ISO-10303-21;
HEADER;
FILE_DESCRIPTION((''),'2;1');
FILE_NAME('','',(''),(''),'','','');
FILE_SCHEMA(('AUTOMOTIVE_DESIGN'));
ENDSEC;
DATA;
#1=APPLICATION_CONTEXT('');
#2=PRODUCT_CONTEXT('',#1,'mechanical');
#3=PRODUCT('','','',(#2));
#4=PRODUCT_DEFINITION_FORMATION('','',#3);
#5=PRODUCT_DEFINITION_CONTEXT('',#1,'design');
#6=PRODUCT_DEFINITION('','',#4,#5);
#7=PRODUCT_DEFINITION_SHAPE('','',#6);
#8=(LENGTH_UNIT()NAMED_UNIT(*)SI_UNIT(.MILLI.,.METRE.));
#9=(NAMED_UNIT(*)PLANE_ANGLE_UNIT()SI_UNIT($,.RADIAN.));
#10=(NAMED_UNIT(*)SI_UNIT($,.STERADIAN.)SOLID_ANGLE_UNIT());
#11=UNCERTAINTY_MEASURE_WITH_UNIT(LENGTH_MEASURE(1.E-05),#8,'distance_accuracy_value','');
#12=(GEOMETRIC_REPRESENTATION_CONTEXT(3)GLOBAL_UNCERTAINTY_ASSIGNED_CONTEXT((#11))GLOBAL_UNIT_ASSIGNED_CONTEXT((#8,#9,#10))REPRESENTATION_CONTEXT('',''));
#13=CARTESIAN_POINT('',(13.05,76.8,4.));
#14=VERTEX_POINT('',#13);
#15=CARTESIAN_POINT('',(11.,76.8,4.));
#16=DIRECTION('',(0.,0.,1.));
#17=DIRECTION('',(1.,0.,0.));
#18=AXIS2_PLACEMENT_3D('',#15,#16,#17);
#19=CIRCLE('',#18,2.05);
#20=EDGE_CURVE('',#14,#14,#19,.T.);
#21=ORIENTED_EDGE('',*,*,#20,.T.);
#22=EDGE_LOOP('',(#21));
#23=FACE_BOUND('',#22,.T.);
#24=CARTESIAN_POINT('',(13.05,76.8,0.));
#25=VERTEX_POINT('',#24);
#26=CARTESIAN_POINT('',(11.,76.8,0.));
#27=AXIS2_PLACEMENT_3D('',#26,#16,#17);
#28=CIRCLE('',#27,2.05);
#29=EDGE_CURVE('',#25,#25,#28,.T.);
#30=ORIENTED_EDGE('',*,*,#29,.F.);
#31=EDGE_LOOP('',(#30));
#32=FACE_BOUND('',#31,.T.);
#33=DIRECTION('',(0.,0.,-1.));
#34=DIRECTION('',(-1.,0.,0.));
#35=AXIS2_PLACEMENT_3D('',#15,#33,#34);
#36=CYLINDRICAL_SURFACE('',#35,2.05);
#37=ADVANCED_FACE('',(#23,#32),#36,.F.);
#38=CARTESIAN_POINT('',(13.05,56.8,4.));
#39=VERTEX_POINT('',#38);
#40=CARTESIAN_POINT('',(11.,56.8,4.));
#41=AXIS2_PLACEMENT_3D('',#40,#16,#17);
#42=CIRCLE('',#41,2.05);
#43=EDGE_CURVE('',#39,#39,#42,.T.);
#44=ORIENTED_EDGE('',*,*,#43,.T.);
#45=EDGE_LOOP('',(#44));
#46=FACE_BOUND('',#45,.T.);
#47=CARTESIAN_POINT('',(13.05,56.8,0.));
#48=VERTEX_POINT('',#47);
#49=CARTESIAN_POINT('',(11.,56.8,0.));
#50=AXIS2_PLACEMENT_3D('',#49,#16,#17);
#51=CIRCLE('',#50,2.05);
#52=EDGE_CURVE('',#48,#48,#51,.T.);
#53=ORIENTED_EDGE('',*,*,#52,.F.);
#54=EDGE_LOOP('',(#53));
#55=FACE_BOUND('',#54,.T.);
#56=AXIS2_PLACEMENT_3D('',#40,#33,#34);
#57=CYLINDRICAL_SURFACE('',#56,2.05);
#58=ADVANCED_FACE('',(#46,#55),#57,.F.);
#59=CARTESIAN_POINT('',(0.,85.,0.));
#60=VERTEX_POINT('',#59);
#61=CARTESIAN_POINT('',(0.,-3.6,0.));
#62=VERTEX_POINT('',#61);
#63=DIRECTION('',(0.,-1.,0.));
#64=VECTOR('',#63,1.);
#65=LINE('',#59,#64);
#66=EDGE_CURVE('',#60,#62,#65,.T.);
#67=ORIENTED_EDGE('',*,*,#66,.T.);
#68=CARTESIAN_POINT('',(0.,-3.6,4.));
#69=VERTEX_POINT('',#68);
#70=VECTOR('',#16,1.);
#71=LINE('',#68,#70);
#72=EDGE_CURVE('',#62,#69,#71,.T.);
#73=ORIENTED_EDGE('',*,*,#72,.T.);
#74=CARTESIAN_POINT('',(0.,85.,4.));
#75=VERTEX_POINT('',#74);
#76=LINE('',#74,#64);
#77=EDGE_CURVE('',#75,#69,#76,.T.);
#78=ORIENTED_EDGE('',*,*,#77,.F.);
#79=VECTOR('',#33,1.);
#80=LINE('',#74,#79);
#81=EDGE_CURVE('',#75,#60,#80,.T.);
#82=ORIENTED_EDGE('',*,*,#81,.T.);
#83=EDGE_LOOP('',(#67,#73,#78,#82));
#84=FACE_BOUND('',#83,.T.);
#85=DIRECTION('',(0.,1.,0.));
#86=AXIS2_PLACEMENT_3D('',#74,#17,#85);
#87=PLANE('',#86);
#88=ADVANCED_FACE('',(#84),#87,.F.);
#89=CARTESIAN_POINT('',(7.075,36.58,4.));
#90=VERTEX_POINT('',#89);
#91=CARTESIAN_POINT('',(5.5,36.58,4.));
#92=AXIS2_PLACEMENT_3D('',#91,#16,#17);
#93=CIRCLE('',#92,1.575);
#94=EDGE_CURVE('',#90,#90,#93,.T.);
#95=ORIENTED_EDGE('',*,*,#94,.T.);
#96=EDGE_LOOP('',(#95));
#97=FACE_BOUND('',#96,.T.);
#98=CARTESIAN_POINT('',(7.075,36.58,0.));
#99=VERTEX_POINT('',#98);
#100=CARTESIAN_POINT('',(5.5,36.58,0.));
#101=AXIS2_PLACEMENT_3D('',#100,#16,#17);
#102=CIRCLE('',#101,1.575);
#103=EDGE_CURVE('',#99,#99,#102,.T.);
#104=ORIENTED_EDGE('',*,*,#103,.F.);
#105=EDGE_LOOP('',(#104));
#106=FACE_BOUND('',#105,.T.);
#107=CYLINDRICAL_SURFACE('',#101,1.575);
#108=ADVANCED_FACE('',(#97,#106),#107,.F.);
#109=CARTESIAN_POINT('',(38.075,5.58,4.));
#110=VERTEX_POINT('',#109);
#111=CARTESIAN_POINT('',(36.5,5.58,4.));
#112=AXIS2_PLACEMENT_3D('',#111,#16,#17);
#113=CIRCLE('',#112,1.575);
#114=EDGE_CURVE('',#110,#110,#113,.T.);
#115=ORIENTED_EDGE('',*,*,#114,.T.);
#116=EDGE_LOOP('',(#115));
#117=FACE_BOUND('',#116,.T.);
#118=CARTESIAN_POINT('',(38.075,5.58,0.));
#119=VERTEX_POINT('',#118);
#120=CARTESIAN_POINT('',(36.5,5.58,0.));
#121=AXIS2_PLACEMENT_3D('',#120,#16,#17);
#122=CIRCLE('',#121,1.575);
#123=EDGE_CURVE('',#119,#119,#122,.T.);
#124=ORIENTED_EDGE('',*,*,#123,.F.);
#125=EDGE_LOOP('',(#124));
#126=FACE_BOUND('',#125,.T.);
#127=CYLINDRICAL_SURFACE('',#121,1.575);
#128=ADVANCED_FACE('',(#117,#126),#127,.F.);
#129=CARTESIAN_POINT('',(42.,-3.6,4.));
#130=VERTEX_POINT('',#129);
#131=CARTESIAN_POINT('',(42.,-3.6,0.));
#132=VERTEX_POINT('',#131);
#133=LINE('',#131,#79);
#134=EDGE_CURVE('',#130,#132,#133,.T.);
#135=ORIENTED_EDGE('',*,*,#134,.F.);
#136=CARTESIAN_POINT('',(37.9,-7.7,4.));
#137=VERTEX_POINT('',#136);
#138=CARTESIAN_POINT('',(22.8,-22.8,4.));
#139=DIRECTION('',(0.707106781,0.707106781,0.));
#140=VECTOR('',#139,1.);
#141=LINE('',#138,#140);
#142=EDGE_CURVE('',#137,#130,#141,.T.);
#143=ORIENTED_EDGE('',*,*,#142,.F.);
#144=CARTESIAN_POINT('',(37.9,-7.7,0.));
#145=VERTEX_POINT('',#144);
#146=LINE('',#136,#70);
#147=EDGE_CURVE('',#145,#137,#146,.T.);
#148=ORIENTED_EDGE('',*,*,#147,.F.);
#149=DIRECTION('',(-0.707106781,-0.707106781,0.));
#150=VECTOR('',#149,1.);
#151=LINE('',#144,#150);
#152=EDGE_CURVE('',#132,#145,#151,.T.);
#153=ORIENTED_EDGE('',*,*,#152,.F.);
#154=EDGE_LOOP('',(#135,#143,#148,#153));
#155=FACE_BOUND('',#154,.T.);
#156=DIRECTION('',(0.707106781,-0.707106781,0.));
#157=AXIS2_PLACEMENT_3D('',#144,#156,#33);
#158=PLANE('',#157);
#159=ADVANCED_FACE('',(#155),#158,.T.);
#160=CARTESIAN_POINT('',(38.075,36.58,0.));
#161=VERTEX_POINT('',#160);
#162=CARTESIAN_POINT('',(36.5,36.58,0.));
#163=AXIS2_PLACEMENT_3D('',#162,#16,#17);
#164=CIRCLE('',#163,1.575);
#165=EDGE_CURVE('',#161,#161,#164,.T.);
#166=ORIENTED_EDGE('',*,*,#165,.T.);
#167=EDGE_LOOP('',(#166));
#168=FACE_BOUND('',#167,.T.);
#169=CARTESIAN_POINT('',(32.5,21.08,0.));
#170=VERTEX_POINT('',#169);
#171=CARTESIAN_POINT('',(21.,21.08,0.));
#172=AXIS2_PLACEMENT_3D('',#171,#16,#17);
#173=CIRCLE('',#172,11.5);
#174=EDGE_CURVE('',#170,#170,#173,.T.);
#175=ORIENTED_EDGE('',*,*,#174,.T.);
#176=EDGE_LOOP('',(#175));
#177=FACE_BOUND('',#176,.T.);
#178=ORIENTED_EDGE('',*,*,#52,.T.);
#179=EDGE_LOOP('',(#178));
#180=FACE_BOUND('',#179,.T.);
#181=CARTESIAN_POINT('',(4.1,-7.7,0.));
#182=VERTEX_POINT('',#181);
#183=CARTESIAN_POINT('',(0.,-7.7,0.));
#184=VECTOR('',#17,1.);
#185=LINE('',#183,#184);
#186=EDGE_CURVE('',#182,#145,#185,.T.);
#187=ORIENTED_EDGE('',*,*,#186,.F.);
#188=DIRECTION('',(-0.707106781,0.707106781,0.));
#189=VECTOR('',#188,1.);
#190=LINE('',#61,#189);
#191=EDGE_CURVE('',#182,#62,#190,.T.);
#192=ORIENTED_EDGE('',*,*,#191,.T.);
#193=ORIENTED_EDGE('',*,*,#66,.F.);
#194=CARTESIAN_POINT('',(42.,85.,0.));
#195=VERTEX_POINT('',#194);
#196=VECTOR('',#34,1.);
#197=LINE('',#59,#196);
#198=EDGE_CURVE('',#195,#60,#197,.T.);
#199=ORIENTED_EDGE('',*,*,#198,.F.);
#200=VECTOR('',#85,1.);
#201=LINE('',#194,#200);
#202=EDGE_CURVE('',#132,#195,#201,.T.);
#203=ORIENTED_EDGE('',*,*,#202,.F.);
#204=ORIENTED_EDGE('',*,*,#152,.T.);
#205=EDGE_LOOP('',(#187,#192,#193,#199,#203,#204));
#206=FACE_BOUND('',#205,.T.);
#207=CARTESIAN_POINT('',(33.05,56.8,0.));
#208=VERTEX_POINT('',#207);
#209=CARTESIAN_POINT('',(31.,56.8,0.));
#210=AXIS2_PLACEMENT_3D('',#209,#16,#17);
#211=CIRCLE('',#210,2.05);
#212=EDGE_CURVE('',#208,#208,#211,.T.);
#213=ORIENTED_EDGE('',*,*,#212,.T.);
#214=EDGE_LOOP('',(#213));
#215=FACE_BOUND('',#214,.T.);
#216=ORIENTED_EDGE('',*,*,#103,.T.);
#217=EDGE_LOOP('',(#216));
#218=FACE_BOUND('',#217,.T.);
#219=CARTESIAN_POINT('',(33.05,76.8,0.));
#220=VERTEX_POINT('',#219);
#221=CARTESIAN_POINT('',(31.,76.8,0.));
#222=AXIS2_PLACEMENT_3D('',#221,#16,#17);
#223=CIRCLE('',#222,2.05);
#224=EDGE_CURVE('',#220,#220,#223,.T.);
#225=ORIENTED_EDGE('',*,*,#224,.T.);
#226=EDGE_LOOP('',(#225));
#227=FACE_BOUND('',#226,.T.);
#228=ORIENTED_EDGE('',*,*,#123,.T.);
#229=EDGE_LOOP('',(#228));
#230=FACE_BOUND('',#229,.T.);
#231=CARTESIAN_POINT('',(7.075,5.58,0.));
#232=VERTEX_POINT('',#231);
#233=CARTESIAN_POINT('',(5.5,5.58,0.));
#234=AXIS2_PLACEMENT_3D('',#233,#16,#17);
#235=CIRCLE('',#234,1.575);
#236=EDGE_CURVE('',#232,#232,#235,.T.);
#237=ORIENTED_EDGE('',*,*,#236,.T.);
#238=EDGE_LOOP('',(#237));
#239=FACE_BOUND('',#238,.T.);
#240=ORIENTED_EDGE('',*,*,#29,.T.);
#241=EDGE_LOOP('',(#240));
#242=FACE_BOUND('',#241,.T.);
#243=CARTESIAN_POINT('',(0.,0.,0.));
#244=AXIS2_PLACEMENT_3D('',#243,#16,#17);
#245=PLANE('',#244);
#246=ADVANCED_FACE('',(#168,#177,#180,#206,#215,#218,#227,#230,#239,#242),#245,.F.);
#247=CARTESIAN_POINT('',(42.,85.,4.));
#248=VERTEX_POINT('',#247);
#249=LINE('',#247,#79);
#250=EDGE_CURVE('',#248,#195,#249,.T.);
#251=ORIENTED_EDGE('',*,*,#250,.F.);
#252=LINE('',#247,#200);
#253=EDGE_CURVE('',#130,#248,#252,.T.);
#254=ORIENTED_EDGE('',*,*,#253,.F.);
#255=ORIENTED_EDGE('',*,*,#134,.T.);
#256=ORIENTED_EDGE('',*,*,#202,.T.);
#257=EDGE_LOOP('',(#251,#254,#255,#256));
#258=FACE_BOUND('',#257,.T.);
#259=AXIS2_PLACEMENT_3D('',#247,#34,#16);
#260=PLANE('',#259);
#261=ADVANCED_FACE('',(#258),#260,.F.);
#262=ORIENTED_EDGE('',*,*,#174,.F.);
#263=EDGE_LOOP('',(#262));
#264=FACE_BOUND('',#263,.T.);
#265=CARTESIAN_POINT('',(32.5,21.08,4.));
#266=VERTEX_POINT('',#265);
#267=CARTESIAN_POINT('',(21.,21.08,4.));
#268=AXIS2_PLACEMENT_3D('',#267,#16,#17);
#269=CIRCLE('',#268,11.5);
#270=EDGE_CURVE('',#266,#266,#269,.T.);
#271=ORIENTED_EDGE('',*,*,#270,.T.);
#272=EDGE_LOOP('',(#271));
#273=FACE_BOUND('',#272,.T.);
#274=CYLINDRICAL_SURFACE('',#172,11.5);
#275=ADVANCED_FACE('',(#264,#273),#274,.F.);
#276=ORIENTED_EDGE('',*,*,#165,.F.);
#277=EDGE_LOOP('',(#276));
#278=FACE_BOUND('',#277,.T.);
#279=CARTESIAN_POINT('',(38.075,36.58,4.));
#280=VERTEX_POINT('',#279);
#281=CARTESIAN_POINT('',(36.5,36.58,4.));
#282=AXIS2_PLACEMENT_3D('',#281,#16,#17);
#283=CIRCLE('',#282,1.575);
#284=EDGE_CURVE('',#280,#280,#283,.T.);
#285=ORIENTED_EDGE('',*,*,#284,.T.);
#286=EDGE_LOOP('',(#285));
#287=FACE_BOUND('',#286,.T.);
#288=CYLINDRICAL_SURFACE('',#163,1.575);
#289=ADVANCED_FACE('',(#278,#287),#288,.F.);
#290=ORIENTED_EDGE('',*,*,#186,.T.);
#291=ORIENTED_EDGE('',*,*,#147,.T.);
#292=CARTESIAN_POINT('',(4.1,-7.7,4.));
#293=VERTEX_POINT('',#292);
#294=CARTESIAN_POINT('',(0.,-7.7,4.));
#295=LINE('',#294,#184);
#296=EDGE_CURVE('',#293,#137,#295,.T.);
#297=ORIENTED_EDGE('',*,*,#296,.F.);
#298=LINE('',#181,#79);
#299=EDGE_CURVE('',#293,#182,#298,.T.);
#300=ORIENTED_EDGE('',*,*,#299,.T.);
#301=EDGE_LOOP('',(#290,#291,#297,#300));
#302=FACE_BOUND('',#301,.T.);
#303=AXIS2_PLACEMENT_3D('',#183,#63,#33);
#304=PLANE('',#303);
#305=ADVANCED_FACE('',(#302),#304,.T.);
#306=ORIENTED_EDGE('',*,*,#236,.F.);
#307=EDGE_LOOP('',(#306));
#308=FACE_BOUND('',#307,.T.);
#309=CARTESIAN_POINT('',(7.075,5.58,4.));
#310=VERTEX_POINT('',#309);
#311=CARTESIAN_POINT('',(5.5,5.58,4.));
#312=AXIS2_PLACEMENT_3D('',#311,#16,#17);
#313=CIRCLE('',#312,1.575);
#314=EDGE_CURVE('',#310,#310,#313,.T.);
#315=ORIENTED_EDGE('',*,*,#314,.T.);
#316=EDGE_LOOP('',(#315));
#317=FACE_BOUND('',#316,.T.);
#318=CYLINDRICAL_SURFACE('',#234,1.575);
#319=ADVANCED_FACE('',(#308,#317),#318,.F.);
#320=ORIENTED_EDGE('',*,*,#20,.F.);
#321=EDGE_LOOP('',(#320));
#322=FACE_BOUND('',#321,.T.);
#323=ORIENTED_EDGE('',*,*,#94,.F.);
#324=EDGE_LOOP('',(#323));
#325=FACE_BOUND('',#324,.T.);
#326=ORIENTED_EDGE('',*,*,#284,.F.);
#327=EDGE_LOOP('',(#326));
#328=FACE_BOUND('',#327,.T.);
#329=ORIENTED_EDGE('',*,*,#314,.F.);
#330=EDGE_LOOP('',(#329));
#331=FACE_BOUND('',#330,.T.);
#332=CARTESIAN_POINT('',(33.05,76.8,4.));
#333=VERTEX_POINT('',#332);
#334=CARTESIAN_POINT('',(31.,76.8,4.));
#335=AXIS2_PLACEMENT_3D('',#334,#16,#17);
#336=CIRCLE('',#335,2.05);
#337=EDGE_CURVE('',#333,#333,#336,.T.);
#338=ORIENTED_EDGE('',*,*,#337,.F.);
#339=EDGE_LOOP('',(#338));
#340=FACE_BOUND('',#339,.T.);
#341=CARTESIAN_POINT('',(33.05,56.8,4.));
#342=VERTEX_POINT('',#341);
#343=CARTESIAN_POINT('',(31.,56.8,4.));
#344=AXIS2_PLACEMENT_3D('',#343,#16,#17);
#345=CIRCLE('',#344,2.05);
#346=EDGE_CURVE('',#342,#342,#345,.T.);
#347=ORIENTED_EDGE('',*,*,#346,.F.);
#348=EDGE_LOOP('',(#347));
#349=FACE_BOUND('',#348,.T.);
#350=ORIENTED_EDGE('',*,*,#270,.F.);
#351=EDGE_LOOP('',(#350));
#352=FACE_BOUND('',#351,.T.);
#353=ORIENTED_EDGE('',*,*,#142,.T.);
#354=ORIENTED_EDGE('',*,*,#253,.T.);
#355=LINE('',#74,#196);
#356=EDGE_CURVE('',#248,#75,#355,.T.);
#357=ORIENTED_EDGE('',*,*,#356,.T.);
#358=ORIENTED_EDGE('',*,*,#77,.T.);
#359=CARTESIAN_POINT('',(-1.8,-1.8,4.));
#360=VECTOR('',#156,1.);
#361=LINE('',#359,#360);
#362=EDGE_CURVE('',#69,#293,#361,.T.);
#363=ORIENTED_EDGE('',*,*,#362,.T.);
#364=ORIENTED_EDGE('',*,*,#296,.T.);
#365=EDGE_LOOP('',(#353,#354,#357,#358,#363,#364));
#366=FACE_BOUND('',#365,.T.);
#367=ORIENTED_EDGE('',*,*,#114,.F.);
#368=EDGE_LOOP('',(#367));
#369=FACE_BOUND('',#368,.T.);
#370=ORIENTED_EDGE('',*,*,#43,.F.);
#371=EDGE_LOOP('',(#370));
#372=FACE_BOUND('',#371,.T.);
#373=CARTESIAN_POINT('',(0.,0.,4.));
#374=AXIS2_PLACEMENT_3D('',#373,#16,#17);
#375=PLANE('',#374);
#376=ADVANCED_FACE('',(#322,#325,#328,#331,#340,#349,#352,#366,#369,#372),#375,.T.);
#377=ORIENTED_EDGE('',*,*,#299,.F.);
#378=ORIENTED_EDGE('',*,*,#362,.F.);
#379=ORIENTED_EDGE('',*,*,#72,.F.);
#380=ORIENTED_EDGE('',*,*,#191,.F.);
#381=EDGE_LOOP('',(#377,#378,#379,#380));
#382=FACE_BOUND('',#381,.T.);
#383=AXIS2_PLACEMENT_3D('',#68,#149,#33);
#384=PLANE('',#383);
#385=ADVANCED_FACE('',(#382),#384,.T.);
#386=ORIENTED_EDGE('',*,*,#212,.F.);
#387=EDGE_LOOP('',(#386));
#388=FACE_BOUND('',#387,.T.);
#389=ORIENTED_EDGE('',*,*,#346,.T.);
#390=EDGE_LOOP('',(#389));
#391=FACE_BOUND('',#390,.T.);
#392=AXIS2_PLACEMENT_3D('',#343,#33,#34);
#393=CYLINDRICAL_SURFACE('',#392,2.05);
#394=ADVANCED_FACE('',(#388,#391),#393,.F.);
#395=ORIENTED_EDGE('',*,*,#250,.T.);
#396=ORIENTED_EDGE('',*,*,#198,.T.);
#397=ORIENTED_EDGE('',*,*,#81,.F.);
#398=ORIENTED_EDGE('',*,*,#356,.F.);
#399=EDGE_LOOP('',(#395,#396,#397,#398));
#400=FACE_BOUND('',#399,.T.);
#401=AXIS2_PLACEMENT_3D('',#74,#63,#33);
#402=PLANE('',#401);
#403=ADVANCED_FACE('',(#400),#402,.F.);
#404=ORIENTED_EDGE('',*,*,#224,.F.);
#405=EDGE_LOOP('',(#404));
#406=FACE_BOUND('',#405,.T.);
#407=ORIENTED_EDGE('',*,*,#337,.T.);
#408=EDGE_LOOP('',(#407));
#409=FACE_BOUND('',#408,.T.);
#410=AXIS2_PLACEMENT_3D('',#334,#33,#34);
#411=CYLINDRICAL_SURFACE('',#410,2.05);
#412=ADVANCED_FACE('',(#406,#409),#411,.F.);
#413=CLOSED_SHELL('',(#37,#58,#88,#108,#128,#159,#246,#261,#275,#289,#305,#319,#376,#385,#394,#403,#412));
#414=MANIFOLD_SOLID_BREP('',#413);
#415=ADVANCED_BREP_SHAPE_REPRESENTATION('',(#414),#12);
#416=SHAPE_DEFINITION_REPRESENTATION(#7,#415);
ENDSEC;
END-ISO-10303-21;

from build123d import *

# Parameters (mm, degrees)
CROQUIS1_W              = 42
CROQUIS1_H              = 85
CROQUIS1_R              = 2.05
CROQUIS1_R_2            = 2.55
SALIENTE_EXTRUIR1_DEPTH = 4
CROQUIS5_R              = 11.5
CROQUIS5_R_2            = 1.575
CORTAR_EXTRUIR2_DEPTH   = 5
CROQUIS7_W              = 42
CROQUIS7_H              = 7.7
SALIENTE_EXTRUIR2_DEPTH = 4
CHAFL_N1_SIZE           = 4.1


with BuildPart() as part:
    # Croquis1 → Saliente-Extruir1 (new body)
    with BuildSketch(Plane.XY):
        with Locations((21, 42.5)):
            Rectangle(CROQUIS1_W, CROQUIS1_H)
        with Locations((11, 76.8)):
            Circle(CROQUIS1_R, mode=Mode.SUBTRACT)
        with Locations((31, 76.8)):
            Circle(CROQUIS1_R, mode=Mode.SUBTRACT)
        with Locations((31, 56.8)):
            Circle(CROQUIS1_R, mode=Mode.SUBTRACT)
        with Locations((11, 56.8)):
            Circle(CROQUIS1_R, mode=Mode.SUBTRACT)
        with Locations((21, 21.08)):
            Circle(CROQUIS1_R_2, mode=Mode.SUBTRACT)
    extrude(amount=SALIENTE_EXTRUIR1_DEPTH)

    # Croquis5 → Cortar-Extruir2 (cut, through all)
    with BuildSketch(Plane.XY.offset(4)):
        with Locations((21, 21.08)):
            Circle(CROQUIS5_R)
        with Locations((5.5, 36.58)):
            Circle(CROQUIS5_R_2)
        with Locations((36.5, 36.58)):
            Circle(CROQUIS5_R_2)
        with Locations((36.5, 5.58)):
            Circle(CROQUIS5_R_2)
        with Locations((5.5, 5.58)):
            Circle(CROQUIS5_R_2)
    extrude(amount=-CORTAR_EXTRUIR2_DEPTH, mode=Mode.SUBTRACT)

    # Croquis7 → Saliente-Extruir2 (add, through all)
    with BuildSketch(Plane.XY.offset(4)):
        with Locations((21, -3.85)):
            Rectangle(CROQUIS7_W, CROQUIS7_H)
    extrude(amount=-SALIENTE_EXTRUIR2_DEPTH)

    # Chaflán1
    chafl_n1_edges = [part.edges().sort_by_distance(p)[0] for p in [
        (0, -7.7, 2),
        (42, -7.7, 2),
    ]]
    chamfer(chafl_n1_edges, length=CHAFL_N1_SIZE)


solid = part.part
